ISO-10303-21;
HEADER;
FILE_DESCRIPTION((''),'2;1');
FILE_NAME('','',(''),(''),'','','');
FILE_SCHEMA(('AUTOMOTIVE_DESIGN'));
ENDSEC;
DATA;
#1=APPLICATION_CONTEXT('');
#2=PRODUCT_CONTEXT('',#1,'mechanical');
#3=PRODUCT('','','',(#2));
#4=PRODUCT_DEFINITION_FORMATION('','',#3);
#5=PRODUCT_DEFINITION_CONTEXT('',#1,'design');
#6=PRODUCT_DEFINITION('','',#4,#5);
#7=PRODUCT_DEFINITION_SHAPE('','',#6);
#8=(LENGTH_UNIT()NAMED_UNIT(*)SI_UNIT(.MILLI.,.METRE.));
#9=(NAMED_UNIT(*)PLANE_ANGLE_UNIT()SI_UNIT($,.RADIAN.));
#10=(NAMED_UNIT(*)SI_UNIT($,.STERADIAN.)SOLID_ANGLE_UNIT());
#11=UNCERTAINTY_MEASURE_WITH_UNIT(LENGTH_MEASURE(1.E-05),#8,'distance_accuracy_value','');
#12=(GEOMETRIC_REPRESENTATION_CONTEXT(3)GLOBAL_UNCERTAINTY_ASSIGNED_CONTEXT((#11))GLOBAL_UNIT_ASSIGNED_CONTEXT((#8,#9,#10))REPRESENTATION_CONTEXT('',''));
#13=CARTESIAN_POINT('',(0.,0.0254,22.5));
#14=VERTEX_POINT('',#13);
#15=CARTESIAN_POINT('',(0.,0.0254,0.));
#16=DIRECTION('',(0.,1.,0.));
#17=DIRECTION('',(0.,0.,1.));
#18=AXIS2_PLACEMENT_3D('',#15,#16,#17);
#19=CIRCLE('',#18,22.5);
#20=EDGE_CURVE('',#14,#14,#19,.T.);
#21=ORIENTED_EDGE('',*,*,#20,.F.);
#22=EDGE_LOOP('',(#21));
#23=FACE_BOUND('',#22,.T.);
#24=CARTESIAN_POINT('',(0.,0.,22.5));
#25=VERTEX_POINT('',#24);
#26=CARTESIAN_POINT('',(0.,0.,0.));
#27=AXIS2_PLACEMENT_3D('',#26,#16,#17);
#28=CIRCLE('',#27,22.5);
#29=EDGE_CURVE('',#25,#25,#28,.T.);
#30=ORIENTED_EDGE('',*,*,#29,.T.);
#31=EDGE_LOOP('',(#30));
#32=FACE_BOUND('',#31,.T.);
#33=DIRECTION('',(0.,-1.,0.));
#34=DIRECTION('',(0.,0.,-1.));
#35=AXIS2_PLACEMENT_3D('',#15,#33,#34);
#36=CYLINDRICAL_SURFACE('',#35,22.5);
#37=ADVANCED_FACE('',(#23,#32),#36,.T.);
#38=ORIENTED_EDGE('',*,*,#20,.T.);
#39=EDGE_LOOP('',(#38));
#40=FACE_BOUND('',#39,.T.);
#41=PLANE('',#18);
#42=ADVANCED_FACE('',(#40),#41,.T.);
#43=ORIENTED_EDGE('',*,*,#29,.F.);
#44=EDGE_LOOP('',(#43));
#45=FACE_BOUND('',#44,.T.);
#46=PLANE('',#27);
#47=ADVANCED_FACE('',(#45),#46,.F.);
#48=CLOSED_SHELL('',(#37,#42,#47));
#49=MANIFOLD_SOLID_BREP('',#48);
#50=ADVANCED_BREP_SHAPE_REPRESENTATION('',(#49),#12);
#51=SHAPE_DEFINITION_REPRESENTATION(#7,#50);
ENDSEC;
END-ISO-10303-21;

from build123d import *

# Parameters (mm, degrees)
SKETCH1_R           = 22.5
BOSS_EXTRUDE1_DEPTH = 0.0254


with BuildPart() as part:
    # Sketch1 → Boss-Extrude1 (new body)
    with BuildSketch(Plane(origin=(0, 0, 0), x_dir=(1, 0, 0), z_dir=(0, 1, 0))):
        Circle(SKETCH1_R)
    extrude(amount=BOSS_EXTRUDE1_DEPTH)


solid = part.part
